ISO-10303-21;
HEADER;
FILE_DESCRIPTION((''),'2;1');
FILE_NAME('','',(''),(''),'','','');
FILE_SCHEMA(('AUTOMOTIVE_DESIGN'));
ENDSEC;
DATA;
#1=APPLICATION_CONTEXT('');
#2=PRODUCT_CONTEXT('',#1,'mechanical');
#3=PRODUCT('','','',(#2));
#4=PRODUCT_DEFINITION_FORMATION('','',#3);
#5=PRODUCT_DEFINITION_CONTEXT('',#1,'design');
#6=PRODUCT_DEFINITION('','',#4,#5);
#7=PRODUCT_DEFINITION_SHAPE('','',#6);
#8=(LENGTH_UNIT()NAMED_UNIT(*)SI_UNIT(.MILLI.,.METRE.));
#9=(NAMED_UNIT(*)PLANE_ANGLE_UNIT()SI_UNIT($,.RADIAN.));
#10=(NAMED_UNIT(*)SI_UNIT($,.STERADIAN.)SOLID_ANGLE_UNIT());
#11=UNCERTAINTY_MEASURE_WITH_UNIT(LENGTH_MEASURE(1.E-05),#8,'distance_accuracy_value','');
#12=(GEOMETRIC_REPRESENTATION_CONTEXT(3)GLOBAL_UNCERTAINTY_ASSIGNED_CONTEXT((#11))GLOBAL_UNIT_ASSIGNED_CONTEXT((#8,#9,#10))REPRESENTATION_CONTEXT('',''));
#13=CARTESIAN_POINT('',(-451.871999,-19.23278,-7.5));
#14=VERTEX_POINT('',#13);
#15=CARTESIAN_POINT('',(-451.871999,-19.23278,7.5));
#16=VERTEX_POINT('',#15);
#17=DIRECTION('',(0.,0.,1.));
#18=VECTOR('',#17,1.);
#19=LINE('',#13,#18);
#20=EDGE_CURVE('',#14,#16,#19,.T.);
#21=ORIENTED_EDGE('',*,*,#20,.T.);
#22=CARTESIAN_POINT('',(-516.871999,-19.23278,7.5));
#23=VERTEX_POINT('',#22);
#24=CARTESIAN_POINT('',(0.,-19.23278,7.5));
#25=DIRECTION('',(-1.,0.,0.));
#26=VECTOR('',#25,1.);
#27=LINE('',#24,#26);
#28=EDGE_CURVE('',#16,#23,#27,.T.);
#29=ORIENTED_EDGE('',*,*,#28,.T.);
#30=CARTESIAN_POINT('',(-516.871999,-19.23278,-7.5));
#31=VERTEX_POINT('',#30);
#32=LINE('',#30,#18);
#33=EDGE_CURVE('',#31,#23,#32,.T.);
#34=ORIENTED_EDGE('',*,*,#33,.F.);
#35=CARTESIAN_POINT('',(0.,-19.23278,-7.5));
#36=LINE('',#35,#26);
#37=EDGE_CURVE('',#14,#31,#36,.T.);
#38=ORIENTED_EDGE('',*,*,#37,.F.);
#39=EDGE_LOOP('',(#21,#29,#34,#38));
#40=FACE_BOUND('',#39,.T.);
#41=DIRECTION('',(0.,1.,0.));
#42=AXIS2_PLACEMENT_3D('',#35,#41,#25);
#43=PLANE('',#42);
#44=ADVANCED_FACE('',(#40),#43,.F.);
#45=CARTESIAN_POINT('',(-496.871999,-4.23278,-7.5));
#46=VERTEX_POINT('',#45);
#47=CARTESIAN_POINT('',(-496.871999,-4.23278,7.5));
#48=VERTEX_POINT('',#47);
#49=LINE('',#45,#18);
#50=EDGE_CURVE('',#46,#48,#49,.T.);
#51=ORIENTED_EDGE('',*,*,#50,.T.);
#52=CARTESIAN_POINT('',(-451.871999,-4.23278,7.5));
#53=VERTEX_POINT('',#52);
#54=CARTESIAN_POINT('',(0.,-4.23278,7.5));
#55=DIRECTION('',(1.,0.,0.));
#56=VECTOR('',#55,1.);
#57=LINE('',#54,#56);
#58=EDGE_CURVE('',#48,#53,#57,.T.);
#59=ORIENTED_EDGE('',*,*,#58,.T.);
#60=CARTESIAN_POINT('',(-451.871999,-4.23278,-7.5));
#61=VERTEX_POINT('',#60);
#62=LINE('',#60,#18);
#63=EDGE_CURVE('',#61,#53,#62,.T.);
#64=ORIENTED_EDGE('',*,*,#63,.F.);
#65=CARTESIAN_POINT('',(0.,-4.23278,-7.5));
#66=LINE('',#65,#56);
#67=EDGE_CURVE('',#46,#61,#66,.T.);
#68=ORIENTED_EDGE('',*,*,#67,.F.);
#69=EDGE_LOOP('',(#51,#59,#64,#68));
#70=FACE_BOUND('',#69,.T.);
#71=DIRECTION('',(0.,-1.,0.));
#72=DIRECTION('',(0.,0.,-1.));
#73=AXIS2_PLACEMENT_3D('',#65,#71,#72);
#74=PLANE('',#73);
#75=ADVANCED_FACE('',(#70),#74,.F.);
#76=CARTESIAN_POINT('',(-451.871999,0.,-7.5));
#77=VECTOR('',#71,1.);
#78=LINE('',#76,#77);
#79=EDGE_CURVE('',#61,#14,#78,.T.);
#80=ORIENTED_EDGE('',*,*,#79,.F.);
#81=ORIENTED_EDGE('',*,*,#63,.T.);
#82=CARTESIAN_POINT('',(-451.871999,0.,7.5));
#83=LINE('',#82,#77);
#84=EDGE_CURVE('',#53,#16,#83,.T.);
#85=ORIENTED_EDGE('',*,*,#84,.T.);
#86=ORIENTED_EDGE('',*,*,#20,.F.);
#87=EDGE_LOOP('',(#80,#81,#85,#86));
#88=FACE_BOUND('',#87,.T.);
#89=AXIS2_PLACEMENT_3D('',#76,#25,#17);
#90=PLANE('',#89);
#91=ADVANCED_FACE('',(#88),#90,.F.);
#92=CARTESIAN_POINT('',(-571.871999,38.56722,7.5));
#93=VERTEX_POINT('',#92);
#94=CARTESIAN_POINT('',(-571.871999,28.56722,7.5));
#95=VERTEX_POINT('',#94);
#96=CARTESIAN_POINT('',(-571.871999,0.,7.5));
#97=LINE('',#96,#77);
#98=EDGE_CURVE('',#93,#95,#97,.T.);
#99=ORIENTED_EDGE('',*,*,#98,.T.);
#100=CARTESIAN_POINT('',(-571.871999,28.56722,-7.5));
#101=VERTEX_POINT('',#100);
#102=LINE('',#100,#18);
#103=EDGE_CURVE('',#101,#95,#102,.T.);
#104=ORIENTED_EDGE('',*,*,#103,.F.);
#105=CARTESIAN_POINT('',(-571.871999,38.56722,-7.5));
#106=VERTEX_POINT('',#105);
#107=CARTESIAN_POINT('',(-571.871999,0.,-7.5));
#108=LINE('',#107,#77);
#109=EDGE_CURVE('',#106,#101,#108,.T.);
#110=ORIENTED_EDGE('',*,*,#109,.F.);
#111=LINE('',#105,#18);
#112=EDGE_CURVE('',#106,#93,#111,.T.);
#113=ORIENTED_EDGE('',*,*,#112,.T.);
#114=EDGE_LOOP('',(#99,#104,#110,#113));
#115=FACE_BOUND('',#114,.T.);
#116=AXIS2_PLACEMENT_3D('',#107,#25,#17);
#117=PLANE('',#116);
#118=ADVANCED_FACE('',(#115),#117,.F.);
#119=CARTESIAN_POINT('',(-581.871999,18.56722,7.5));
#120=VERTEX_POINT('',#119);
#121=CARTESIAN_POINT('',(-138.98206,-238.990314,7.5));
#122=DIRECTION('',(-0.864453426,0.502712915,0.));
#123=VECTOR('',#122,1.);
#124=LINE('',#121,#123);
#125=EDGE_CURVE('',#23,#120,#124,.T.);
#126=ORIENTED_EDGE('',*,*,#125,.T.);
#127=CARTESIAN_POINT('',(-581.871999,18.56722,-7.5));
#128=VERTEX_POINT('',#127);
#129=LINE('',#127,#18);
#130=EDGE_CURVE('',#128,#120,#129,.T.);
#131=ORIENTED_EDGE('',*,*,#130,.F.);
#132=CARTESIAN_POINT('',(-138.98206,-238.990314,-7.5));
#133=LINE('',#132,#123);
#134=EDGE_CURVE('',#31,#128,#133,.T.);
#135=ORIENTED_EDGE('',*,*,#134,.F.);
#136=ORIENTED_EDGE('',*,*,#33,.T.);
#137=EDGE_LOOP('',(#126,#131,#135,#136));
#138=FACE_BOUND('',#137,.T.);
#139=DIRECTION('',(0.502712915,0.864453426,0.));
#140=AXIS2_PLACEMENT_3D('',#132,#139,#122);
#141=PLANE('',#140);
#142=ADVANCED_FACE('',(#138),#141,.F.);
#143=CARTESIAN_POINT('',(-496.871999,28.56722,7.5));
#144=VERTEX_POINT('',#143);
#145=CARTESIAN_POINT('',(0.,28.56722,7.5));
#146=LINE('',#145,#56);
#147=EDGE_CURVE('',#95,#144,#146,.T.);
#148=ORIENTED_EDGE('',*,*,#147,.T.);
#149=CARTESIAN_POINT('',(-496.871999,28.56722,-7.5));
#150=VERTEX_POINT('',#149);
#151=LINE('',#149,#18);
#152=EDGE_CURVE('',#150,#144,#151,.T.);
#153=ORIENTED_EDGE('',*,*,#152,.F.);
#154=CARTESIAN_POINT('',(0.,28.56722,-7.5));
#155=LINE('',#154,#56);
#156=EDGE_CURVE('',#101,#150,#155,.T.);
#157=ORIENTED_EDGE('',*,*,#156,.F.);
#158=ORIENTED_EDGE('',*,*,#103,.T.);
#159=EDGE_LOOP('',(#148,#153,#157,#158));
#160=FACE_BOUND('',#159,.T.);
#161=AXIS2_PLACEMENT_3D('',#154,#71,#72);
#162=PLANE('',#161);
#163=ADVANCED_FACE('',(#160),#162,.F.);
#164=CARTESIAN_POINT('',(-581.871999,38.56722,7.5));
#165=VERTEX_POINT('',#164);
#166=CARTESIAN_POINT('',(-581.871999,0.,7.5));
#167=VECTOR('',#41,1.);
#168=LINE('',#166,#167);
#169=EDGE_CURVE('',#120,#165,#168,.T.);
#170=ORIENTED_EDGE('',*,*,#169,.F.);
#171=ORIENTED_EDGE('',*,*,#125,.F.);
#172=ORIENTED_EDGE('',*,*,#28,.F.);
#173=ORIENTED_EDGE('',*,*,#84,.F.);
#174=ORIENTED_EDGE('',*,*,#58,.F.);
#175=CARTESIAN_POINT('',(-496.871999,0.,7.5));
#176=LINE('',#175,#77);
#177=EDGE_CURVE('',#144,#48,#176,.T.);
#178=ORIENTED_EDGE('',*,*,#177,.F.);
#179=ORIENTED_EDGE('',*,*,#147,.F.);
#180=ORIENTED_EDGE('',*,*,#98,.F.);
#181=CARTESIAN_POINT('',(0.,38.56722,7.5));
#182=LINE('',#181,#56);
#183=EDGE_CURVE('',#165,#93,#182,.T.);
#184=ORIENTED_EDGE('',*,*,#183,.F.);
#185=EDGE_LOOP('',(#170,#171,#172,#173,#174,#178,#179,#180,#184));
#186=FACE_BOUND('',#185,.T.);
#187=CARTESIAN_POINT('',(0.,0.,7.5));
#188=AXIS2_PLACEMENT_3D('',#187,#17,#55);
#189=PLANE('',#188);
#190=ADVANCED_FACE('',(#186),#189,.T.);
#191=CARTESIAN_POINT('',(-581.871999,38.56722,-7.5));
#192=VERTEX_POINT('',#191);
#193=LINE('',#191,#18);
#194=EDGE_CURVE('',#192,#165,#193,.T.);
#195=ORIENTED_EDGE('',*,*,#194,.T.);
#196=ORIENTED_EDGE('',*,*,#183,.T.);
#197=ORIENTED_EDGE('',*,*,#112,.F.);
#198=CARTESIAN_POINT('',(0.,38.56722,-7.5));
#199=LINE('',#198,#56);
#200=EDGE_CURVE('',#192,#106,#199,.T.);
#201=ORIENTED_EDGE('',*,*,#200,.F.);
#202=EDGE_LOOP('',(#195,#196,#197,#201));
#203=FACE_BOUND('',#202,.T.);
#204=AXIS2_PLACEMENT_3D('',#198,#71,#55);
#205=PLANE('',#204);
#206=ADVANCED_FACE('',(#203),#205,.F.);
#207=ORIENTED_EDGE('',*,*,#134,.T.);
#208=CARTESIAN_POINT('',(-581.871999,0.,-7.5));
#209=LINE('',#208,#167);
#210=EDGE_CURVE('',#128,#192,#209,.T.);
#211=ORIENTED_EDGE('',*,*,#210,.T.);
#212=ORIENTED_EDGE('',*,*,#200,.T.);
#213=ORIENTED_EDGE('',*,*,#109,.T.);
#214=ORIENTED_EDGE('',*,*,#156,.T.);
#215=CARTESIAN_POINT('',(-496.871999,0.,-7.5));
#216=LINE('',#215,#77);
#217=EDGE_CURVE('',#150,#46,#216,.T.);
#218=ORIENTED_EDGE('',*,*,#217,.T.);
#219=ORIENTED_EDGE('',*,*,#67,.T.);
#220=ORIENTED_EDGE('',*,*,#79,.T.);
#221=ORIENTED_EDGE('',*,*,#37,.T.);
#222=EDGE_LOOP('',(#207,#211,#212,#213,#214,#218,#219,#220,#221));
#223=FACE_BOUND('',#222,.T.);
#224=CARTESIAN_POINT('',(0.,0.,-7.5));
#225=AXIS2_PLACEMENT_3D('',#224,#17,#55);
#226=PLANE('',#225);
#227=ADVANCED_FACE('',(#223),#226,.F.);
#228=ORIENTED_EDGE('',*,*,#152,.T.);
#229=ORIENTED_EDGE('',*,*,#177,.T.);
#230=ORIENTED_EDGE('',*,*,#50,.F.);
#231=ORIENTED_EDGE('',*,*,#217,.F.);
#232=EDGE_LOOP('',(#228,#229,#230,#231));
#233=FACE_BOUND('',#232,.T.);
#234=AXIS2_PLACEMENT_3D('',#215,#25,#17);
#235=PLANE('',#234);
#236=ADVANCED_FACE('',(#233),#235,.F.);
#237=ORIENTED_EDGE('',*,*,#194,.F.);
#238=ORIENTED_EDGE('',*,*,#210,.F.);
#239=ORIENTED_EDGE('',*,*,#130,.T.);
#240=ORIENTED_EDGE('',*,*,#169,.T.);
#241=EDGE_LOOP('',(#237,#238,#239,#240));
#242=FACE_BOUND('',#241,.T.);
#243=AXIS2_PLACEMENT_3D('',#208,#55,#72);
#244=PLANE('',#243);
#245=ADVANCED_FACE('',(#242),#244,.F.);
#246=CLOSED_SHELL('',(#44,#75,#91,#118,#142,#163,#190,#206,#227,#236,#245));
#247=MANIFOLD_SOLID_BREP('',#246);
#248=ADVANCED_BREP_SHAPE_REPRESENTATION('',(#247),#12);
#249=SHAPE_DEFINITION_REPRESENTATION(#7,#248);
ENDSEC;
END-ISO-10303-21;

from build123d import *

# Parameters (mm, degrees)
BOSS_EXTRUDE1_DEPTH      = 7.5
BOSS_EXTRUDE1_DEPTH_BACK = 7.5


with BuildPart() as part:
    # Sketch1 → Boss-Extrude1 (new, two sides: drawn at the far end of the back side and taken through both)
    with BuildSketch(Plane.XY.offset(-BOSS_EXTRUDE1_DEPTH_BACK)):
        Polygon((-451.871999052, -4.232779954), (-451.871999052, -19.232779954), (-516.871999052, -19.232779954), (-581.871999052, 18.567220046), (-581.871999052, 38.567220046), (-571.871999052, 38.567220046), (-571.871999052, 28.567220046), (-496.871999052, 28.567220046), (-496.871999052, -4.232779954), align=None)
    extrude(amount=BOSS_EXTRUDE1_DEPTH + BOSS_EXTRUDE1_DEPTH_BACK)


solid = part.part
